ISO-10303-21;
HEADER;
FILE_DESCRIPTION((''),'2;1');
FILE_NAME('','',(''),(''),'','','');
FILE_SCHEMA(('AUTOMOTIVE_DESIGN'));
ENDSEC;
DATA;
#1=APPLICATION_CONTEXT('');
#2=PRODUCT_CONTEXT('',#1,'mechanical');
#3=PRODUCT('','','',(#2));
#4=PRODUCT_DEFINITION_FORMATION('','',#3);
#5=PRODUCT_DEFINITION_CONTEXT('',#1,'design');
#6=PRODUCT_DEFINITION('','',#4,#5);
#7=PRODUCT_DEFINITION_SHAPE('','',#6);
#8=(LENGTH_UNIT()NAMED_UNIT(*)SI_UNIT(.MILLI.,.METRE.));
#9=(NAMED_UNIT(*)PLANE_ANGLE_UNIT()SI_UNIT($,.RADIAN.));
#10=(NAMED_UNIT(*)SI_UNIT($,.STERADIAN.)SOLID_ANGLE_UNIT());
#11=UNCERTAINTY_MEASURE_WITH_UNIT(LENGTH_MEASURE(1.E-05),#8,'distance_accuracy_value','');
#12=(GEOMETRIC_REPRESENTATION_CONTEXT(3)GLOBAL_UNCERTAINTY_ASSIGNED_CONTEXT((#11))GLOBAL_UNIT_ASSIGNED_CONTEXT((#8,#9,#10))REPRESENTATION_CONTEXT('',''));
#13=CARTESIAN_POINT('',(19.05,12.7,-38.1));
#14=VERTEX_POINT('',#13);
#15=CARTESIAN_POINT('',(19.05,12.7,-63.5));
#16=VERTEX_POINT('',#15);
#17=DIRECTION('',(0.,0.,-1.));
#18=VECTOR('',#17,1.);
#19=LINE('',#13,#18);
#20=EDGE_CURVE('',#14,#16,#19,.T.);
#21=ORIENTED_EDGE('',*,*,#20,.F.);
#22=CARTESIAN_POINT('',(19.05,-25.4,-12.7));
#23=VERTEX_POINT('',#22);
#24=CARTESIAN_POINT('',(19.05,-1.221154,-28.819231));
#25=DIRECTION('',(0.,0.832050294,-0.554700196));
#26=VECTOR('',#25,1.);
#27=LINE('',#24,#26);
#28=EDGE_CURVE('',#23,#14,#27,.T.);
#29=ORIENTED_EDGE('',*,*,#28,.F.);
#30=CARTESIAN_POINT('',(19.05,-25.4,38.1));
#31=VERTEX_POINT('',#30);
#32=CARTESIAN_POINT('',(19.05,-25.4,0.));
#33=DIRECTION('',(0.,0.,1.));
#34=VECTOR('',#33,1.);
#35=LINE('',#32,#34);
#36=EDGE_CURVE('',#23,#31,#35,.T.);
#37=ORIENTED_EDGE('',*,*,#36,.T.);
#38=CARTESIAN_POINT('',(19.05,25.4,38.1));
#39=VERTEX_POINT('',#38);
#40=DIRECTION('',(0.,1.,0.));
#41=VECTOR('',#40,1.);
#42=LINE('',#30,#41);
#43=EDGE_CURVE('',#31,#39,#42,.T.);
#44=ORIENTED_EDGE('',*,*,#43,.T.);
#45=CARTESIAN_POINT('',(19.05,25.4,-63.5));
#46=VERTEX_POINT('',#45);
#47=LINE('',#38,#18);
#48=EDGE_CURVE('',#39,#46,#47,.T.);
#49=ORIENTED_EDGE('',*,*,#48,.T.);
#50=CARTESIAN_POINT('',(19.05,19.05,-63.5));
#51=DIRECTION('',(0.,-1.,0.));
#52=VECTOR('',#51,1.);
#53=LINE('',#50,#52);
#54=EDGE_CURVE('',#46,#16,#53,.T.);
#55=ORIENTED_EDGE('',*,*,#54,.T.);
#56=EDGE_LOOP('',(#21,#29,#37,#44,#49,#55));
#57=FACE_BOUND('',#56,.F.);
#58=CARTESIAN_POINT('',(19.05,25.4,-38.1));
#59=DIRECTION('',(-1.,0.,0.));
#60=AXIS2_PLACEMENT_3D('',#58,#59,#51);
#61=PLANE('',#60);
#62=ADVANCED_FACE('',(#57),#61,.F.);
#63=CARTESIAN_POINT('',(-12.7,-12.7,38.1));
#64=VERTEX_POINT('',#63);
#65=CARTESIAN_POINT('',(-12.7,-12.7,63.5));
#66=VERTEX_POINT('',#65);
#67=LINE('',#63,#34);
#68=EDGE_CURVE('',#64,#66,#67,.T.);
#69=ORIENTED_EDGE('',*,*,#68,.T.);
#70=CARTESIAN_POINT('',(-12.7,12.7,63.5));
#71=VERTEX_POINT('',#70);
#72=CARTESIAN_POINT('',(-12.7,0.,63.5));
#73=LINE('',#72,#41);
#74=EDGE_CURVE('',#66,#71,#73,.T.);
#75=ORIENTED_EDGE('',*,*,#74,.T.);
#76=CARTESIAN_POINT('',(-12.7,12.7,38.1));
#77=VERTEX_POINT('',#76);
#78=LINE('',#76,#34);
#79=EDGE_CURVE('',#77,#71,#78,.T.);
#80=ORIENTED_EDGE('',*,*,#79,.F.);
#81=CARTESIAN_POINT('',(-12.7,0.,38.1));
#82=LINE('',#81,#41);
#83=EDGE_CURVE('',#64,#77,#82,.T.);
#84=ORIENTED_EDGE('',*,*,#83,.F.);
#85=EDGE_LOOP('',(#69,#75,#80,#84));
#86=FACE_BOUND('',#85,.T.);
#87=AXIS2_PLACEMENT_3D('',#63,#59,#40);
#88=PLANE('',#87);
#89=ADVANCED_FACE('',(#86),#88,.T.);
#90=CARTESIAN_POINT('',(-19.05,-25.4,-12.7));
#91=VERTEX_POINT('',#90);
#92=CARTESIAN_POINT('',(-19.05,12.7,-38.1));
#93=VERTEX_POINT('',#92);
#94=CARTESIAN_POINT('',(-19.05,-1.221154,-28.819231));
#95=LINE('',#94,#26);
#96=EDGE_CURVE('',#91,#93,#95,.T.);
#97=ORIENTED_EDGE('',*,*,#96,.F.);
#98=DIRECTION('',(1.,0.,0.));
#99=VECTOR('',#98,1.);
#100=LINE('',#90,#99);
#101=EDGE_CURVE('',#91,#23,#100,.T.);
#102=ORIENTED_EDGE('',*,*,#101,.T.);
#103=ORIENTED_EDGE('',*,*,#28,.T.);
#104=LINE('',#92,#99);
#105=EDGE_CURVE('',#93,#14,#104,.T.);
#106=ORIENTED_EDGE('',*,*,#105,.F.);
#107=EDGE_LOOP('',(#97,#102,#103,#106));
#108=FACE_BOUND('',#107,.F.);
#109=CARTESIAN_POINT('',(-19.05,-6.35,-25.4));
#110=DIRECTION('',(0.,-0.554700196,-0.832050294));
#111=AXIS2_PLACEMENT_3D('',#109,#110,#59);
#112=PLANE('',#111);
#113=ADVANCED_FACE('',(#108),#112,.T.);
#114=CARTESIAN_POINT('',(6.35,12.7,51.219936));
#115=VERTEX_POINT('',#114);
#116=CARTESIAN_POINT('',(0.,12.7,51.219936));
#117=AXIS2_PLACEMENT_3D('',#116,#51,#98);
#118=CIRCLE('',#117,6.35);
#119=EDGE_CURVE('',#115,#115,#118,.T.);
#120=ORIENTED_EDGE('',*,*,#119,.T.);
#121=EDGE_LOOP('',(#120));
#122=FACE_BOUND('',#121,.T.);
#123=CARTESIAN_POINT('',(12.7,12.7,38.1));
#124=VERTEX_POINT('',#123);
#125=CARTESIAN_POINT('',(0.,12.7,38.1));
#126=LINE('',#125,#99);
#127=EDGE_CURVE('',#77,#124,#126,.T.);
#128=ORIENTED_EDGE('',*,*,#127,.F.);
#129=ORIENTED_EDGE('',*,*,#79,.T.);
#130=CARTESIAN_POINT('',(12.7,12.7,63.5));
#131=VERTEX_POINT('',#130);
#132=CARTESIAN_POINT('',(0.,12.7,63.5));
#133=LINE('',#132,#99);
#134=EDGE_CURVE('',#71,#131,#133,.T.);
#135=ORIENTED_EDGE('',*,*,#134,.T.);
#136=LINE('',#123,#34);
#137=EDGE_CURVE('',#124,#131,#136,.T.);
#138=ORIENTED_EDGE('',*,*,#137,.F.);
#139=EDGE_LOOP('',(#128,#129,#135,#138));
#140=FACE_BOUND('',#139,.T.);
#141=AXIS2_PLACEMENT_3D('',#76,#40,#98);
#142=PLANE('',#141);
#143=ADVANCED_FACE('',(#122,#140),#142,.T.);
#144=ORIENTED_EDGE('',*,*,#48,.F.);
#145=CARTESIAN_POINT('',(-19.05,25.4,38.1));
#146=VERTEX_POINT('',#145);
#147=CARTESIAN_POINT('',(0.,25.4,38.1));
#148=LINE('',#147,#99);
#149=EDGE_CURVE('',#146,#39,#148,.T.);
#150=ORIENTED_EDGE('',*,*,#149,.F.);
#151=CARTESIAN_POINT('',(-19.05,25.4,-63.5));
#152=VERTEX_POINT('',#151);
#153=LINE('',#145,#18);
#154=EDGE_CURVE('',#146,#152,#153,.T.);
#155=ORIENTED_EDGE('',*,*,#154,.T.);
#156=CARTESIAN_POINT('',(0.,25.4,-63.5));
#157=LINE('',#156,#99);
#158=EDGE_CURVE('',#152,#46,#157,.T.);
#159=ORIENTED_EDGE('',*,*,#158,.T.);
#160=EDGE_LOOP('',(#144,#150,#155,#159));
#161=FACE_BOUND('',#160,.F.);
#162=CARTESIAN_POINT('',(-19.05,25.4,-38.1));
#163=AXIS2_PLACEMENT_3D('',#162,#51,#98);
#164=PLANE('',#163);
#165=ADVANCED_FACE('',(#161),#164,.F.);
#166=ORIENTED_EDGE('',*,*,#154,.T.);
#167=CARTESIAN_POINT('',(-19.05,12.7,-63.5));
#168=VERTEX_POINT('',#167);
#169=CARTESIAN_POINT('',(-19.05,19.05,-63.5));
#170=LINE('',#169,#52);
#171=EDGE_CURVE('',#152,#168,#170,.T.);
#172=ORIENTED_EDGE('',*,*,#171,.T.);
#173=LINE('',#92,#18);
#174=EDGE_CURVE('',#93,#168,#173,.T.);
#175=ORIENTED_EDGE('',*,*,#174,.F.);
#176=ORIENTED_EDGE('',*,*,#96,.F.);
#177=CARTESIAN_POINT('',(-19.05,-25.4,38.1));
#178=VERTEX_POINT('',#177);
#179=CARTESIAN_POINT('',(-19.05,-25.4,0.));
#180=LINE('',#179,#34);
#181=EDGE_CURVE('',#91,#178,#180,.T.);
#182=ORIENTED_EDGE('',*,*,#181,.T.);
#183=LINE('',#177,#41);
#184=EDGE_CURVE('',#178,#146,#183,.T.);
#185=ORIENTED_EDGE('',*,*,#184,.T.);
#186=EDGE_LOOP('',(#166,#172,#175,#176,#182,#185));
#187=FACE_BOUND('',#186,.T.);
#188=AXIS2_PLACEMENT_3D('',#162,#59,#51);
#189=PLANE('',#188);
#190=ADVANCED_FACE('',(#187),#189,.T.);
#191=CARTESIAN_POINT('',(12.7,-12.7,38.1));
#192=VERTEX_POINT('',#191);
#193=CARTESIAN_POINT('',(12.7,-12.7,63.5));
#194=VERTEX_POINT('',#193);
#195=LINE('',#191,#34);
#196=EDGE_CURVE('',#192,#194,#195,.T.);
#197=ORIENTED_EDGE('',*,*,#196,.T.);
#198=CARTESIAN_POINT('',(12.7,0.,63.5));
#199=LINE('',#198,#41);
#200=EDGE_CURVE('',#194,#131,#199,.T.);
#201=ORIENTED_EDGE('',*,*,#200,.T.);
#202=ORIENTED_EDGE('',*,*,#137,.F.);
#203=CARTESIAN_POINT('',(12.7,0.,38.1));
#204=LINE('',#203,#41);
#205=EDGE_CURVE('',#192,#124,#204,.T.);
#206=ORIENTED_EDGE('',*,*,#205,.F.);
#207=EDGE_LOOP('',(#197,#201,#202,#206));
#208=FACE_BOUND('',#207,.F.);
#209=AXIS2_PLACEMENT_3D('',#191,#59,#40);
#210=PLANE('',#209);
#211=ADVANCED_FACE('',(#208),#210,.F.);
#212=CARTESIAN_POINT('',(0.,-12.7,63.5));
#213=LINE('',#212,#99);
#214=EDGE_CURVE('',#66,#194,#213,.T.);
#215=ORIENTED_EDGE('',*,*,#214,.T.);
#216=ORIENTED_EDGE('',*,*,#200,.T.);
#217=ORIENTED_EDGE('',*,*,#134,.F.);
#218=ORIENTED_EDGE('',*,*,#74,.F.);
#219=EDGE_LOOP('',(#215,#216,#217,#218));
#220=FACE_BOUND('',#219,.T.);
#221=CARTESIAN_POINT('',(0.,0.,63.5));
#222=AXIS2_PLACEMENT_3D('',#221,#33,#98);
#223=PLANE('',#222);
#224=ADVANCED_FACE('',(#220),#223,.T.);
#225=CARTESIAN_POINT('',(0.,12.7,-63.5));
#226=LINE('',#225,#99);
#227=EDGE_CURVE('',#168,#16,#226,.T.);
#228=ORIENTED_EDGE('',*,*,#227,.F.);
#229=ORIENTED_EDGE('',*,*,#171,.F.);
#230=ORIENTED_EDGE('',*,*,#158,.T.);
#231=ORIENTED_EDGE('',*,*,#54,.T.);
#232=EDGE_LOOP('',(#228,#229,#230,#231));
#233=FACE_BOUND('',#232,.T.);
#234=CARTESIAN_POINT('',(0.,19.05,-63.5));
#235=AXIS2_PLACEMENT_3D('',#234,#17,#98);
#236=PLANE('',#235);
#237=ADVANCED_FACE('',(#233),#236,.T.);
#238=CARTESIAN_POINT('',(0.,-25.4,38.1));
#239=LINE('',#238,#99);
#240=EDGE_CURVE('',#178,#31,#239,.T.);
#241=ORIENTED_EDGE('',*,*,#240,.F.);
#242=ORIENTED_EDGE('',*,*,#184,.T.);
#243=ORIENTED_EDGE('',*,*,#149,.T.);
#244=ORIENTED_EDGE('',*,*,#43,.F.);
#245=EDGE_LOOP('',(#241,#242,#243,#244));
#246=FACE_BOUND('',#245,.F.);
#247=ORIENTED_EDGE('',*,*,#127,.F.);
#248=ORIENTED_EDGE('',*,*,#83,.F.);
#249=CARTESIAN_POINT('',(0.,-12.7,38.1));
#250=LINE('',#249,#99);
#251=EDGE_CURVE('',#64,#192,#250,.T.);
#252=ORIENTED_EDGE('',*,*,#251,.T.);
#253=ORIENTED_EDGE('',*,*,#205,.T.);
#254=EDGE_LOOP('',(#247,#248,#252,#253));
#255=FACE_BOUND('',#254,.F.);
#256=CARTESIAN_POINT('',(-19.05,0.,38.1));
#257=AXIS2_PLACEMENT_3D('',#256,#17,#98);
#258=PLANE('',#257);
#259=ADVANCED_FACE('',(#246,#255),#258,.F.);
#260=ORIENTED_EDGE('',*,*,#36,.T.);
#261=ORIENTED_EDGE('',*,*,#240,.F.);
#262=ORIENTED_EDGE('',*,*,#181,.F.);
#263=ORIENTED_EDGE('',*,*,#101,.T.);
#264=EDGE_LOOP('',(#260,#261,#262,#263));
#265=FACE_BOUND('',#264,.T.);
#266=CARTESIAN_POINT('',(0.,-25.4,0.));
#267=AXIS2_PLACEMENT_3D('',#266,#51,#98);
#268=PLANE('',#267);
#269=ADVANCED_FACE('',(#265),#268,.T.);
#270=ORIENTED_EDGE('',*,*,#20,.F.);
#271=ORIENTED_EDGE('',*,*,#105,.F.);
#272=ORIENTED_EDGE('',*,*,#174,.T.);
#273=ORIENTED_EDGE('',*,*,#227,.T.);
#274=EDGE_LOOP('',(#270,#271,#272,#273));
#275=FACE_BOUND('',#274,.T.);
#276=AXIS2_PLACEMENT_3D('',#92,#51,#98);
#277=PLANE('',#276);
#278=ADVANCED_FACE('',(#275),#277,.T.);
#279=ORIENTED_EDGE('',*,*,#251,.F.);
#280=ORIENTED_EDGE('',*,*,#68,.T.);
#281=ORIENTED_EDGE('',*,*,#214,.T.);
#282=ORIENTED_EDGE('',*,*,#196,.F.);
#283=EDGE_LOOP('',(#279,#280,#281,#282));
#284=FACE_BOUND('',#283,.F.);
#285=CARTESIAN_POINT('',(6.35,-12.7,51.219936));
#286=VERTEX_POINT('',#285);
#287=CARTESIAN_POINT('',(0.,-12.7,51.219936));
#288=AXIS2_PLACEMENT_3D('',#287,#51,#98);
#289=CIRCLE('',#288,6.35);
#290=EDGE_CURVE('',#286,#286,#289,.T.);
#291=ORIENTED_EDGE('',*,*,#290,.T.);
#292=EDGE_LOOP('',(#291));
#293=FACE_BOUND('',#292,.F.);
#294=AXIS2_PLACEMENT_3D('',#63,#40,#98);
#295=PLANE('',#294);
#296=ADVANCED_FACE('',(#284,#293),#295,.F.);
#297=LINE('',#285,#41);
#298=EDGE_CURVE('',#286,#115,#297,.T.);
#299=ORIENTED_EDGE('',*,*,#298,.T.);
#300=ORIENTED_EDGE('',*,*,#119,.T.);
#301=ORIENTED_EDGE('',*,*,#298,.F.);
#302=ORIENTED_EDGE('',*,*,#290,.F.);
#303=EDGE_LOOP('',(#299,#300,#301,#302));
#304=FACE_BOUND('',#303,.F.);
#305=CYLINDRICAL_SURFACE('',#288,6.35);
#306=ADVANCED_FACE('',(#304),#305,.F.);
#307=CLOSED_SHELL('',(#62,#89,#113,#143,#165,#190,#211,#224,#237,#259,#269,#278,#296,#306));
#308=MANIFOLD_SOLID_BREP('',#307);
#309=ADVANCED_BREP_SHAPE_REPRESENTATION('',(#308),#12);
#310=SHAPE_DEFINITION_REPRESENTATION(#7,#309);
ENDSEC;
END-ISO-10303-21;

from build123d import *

# Parameters (mm, degrees)
F0_W     = 38.1
F0_H     = 76.2
F1_DEPTH = 25.4
F2_SIZE2 = 38.1
F2_SIZE  = 25.4
F3_W     = 25.4
F3_H     = 25.4
F4_DEPTH = 25.4
F5_R     = 6.35
F6_DEPTH = 25.4
F7_W     = 38.1
F7_H     = 12.7
F8_DEPTH = 25.4


with BuildPart() as f1:
    # F0 (on Front) → F1 (new body, symmetric)
    with BuildSketch(Plane.XZ):
        Rectangle(F0_W, F0_H)
    extrude(amount=F1_DEPTH, both=True)

    # F2
    f2_edges = [f1.edges().sort_by_distance(p)[0] for p in [
        (0, -25.4, -38.1),
    ]]
    chamfer(f2_edges, length=F2_SIZE, length2=F2_SIZE2)

    # F3 (on face) → F4 (join)
    with BuildSketch(Plane.XY.offset(38.1)):
        Rectangle(F3_W, F3_H)
    extrude(amount=F4_DEPTH)

    # F5 (on face) → F6 (cut)
    with BuildSketch(Plane.XZ.offset(12.7)):
        with Locations((0, 51.219936)):
            Circle(F5_R)
    extrude(amount=-F6_DEPTH, mode=Mode.SUBTRACT)

    # F7 (on face) → F8 (join)
    with BuildSketch(Plane(origin=(0, 0, -38.1), x_dir=(1, 0, 0), z_dir=(0, 0, -1))):
        with Locations((0, -19.05)):
            Rectangle(F7_W, F7_H)
    extrude(amount=F8_DEPTH)


solid = f1.part
